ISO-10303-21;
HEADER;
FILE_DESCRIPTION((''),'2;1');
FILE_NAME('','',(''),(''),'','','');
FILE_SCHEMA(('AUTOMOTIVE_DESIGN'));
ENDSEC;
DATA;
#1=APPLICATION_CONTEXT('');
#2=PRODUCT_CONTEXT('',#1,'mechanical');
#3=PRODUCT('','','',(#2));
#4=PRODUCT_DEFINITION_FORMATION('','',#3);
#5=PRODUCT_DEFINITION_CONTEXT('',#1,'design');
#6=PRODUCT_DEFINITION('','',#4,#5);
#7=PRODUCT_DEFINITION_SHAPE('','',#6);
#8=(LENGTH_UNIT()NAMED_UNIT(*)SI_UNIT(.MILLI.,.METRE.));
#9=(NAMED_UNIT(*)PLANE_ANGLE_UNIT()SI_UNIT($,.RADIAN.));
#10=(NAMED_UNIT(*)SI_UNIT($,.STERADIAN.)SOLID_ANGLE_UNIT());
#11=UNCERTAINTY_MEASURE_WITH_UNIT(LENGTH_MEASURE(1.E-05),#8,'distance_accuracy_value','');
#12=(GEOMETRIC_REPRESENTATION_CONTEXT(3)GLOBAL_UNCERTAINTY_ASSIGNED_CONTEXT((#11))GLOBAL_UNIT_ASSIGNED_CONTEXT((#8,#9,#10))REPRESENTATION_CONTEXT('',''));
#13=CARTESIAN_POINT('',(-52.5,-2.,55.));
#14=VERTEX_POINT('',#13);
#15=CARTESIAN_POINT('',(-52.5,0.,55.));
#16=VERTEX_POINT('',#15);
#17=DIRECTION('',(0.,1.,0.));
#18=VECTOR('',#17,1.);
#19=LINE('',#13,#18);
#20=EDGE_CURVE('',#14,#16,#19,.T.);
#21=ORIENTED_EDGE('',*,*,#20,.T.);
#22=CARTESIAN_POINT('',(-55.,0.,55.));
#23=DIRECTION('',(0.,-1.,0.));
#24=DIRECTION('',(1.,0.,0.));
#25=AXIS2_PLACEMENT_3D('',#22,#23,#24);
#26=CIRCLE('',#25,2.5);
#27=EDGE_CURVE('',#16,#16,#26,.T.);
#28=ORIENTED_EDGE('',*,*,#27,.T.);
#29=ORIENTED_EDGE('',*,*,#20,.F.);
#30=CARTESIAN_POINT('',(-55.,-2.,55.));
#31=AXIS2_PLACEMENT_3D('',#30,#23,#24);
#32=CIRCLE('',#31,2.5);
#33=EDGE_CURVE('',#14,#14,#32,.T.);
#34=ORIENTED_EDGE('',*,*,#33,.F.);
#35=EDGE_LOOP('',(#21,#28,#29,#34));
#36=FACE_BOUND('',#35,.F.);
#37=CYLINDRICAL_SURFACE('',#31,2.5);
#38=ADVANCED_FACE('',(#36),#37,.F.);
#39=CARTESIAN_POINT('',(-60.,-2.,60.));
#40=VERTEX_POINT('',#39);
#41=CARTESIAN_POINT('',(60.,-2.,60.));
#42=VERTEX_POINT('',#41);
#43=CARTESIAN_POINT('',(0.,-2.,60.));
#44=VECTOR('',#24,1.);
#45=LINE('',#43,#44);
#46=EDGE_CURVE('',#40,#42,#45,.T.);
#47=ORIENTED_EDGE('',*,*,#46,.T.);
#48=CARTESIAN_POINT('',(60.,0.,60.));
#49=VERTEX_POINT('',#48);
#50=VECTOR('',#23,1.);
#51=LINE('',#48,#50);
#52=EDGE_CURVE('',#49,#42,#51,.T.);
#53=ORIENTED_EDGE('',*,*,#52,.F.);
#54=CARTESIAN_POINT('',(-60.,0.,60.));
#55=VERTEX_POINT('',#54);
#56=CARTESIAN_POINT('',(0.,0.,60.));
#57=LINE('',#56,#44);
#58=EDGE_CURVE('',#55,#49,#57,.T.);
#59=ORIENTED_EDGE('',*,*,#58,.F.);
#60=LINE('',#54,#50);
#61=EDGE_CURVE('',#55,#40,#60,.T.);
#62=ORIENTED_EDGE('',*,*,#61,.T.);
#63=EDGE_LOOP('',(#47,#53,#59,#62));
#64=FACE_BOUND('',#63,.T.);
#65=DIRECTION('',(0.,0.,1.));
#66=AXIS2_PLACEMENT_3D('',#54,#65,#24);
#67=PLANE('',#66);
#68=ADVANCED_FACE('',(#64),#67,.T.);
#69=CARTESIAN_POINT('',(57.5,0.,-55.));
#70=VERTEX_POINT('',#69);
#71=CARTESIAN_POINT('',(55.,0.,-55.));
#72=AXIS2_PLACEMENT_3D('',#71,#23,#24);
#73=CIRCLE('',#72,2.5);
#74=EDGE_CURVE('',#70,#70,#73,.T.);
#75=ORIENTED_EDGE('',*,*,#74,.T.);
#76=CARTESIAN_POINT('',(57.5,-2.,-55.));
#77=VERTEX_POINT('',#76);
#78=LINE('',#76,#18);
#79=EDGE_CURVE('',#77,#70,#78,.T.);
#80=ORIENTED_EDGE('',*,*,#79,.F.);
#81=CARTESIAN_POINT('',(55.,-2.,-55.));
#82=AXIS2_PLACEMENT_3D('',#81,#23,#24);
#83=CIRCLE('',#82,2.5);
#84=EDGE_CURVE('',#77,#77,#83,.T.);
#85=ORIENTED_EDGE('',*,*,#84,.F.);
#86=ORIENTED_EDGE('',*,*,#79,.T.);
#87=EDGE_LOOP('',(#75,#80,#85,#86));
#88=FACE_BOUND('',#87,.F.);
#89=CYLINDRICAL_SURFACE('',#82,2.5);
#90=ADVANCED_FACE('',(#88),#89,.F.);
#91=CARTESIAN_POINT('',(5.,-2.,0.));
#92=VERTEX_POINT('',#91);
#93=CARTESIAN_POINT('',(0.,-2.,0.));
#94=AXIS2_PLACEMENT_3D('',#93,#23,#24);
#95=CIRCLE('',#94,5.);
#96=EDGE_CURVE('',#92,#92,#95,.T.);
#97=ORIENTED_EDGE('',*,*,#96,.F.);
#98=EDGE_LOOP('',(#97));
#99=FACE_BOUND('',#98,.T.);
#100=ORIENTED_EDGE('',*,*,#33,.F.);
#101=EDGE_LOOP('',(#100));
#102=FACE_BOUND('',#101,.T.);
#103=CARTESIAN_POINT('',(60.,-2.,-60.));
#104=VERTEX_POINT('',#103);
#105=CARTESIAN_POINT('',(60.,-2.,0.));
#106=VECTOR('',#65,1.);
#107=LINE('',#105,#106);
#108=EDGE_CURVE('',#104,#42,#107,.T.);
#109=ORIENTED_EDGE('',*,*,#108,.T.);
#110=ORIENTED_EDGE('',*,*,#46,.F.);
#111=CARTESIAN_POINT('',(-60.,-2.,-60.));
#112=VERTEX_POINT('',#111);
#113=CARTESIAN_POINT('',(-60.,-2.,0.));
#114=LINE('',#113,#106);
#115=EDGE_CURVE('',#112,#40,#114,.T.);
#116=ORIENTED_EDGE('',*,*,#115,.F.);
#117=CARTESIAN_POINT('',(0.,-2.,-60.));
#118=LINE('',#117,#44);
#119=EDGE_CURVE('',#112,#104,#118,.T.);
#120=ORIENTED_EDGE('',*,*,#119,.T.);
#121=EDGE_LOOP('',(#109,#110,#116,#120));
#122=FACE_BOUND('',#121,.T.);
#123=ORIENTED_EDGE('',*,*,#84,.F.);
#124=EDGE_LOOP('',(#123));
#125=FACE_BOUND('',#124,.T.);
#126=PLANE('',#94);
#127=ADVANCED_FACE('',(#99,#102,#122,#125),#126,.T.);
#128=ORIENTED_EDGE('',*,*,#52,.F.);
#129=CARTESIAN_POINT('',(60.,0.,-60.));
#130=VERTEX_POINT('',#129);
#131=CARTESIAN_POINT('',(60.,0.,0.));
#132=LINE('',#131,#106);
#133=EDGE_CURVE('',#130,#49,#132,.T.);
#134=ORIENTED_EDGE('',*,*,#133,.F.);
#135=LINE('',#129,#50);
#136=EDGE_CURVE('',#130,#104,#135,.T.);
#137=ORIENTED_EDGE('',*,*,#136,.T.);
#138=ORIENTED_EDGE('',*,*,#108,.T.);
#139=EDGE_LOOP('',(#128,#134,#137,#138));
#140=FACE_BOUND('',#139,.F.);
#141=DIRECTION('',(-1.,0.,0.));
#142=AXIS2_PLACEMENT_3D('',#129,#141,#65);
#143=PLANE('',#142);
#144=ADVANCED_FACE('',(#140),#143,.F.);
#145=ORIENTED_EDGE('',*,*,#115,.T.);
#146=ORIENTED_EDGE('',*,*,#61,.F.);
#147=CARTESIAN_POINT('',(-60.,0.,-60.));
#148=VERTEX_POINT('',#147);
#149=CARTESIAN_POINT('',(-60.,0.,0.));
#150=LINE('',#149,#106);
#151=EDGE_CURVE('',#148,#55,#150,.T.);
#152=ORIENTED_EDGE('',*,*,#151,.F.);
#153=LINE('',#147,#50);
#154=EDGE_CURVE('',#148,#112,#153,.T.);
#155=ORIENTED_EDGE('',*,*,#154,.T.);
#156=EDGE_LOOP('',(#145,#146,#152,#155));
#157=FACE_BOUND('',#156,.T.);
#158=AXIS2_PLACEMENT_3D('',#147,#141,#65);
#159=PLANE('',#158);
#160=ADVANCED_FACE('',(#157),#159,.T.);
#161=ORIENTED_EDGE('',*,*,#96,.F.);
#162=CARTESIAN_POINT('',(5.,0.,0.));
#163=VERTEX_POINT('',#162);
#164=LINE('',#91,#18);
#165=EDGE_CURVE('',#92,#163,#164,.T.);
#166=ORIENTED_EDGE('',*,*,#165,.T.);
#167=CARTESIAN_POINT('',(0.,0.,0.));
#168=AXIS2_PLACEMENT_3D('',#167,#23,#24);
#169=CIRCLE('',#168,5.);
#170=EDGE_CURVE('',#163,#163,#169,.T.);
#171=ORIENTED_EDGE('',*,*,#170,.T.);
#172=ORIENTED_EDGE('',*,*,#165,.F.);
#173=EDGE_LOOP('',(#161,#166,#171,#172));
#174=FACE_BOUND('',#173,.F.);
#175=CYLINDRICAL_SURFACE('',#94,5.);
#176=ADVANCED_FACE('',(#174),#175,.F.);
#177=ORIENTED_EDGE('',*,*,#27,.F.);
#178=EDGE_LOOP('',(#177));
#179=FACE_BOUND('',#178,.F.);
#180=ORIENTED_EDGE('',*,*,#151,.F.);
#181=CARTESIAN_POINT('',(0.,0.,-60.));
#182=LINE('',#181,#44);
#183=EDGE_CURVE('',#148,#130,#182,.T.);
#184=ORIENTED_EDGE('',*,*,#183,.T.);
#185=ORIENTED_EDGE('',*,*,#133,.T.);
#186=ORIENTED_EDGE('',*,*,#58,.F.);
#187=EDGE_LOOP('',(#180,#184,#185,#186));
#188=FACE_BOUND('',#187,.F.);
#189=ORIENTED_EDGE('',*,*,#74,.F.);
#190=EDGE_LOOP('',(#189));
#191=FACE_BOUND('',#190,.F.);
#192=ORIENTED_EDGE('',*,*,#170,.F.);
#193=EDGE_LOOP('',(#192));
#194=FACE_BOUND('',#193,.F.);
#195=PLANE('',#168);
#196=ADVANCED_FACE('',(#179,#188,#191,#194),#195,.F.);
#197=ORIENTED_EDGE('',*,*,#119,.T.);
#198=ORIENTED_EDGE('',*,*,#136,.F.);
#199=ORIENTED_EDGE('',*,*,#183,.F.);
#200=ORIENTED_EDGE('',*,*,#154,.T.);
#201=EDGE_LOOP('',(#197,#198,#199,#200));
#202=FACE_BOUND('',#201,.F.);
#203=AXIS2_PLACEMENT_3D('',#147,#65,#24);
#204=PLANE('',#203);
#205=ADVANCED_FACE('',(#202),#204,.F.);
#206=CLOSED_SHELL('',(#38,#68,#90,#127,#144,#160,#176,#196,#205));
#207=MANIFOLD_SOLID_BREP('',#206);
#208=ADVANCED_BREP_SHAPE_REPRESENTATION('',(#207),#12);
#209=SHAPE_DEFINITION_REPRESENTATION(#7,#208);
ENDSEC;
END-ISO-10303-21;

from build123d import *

# Parameters (mm, degrees)
F0_W     = 120
F0_H     = 120
F1_DEPTH = 2
F2_R     = 2.5
F3_DEPTH = 2.001
F4_R     = 5
F5_DEPTH = 2.001


with BuildPart() as f1:
    # F0 (on Front) → F1 (new body)
    with BuildSketch(Plane.XZ):
        Rectangle(F0_W, F0_H)
    extrude(amount=F1_DEPTH)

    # F2 (on face) → F3 (cut, through all)
    with BuildSketch(Plane.XZ.offset(2)):
        with Locations((-55, 55)):
            Circle(F2_R)
        with Locations((55, -55)):
            Circle(F2_R)
    extrude(amount=-F3_DEPTH, mode=Mode.SUBTRACT)

    # F4 (on face) → F5 (cut, through all)
    with BuildSketch(Plane.XZ.offset(2)):
        Circle(F4_R)
    extrude(amount=-F5_DEPTH, mode=Mode.SUBTRACT)


solid = f1.part
